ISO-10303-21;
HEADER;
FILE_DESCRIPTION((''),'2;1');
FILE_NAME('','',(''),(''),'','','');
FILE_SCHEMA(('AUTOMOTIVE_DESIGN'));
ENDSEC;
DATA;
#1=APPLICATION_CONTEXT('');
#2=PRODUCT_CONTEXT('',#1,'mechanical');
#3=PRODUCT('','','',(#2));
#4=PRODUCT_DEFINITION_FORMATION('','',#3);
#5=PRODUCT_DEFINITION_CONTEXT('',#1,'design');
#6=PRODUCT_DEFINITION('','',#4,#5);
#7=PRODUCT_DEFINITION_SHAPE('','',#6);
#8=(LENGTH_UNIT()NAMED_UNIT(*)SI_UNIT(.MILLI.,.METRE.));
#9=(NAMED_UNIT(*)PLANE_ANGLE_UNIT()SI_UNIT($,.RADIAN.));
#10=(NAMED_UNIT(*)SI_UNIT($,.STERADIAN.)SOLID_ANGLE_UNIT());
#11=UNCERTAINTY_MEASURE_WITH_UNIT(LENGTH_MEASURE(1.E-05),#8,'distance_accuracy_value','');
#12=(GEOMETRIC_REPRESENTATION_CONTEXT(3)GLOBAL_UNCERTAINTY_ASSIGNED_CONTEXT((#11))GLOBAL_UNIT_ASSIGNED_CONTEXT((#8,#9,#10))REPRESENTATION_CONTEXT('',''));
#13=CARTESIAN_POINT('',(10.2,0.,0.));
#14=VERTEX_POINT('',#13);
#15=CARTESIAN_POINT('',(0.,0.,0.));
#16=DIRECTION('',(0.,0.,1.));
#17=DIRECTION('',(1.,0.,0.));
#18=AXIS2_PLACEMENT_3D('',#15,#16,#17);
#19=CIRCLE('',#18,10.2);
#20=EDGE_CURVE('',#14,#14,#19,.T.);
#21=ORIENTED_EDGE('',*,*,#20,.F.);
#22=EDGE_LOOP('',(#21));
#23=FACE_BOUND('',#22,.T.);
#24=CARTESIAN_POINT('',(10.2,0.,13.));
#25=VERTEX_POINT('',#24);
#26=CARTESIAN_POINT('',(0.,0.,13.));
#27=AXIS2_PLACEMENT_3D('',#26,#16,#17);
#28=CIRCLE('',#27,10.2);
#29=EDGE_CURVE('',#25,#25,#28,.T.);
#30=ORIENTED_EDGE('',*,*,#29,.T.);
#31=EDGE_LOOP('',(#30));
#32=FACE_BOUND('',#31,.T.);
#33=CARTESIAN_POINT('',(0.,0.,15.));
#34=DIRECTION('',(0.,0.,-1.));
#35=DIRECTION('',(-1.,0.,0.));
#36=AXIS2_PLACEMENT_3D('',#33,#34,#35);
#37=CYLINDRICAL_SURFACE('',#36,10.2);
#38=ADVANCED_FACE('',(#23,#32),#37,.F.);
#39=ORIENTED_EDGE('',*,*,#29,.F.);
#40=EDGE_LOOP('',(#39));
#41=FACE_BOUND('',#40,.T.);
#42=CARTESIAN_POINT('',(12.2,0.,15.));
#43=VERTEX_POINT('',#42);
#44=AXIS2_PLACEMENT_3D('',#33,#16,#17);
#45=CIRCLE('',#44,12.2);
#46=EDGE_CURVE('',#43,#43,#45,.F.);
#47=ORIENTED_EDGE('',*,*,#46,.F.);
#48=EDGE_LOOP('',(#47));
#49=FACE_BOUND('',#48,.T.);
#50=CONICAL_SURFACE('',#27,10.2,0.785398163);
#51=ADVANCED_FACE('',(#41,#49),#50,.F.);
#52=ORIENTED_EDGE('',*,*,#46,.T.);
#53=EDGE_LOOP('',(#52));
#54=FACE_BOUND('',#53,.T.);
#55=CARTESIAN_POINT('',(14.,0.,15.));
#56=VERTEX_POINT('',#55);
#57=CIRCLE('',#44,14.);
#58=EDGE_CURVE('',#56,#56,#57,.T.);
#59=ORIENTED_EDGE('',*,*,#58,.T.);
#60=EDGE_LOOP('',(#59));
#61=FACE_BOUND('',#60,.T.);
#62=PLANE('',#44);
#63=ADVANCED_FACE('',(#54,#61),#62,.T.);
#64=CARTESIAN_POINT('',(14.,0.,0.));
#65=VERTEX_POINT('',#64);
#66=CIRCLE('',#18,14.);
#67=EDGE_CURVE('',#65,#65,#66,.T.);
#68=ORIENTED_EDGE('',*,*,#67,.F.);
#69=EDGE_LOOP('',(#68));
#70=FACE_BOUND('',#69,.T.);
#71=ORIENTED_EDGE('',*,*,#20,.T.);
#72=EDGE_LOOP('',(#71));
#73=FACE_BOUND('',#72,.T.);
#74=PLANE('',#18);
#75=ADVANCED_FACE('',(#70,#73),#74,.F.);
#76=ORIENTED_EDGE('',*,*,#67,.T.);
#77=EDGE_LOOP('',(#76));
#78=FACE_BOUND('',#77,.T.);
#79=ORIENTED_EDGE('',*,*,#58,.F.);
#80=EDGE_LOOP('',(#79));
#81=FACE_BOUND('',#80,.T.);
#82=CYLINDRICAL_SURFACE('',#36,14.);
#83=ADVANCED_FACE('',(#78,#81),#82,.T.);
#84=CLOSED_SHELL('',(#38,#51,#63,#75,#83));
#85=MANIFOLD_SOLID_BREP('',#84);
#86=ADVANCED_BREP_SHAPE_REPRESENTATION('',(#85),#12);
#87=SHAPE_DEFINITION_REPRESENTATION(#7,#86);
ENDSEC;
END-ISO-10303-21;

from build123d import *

# Parameters (mm, degrees)
SKETCH_1_R      = 14
SKETCH_1_R_2    = 10.2
EXTRUDE_1_DEPTH = 15
CHAMFER_1_SIZE  = 2


with BuildPart() as part:
    # 草图1 → 凸台-拉伸1 (new body)
    with BuildSketch(Plane.XY):
        Circle(SKETCH_1_R)
        Circle(SKETCH_1_R_2, mode=Mode.SUBTRACT)
    extrude(amount=EXTRUDE_1_DEPTH)

    # 倒角1
    chamfer_1_edges = [part.edges().sort_by_distance(p)[0] for p in [
        (-10.2, 0, 15),
    ]]
    chamfer(chamfer_1_edges, length=CHAMFER_1_SIZE)


solid = part.part
